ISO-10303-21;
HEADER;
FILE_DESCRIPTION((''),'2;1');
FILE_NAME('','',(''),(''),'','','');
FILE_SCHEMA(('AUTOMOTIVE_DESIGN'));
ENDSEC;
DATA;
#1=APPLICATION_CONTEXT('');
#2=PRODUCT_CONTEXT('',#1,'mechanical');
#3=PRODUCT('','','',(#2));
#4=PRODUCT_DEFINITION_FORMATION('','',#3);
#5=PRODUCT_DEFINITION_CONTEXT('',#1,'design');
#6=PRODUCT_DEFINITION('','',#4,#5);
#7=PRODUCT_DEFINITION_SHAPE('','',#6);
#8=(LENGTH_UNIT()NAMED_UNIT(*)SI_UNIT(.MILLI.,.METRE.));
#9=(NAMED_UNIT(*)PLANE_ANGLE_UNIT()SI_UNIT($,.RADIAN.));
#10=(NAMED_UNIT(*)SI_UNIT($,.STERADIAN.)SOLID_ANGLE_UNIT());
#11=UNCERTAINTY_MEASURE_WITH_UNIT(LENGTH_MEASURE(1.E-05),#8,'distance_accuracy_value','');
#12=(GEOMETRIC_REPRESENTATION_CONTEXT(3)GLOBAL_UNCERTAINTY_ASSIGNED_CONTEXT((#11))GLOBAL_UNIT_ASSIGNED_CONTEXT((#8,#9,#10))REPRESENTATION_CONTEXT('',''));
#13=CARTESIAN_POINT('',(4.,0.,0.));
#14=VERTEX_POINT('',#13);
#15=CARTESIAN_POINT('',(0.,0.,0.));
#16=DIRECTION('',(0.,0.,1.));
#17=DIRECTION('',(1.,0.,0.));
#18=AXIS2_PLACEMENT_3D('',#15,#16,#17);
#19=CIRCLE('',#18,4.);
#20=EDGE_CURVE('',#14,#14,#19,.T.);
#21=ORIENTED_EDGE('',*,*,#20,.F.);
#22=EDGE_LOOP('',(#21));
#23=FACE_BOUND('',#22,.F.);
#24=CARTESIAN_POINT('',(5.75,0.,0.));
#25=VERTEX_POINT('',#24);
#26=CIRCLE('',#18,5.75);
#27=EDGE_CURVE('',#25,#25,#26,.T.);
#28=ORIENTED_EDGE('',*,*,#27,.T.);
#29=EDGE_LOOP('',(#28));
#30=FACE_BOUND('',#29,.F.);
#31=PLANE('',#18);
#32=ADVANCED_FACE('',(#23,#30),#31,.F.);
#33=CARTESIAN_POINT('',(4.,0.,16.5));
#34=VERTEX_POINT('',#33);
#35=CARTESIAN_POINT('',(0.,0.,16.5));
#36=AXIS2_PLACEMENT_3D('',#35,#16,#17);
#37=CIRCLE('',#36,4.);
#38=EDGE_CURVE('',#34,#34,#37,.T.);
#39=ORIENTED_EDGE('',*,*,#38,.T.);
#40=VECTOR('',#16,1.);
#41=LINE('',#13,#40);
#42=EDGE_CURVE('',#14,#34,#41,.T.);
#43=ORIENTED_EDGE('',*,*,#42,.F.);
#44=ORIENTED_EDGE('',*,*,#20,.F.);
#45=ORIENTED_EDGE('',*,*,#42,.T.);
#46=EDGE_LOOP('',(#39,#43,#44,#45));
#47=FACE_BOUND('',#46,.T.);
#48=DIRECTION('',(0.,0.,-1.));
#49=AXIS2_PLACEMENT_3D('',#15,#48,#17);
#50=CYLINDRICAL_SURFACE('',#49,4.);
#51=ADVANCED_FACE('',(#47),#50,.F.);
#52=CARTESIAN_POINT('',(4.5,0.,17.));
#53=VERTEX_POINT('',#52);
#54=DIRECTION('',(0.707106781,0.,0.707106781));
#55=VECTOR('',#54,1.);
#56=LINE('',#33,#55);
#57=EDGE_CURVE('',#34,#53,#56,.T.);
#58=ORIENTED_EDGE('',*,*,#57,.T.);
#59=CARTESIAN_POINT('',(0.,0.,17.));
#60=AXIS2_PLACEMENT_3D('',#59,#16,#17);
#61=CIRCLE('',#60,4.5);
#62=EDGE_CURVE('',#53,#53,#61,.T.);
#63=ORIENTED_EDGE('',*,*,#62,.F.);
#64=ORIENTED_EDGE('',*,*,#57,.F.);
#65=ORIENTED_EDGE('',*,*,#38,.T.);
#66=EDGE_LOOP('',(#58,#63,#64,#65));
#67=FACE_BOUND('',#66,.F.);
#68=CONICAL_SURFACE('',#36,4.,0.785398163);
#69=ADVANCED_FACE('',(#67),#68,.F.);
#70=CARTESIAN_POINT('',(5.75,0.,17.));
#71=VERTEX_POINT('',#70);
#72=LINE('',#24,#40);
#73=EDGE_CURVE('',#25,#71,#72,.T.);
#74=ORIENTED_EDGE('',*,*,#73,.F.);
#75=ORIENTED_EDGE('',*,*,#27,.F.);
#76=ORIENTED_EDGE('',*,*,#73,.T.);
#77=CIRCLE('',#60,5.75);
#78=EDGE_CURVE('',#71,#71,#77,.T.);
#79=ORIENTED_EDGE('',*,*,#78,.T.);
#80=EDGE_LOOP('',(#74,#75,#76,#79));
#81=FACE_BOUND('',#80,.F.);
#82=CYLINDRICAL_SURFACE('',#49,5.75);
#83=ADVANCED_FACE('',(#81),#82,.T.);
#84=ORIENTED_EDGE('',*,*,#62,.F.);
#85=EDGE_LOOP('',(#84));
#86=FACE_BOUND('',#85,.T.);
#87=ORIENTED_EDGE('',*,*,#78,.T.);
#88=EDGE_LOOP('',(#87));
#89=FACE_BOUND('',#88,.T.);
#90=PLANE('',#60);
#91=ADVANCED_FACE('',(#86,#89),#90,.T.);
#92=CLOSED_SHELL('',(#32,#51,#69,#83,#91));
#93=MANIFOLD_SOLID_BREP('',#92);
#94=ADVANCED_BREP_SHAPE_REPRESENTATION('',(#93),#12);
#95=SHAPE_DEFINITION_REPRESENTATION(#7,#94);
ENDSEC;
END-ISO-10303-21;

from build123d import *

# Parameters (mm, degrees)
SKETCH_R     = 5.75
SKETCH_R_2   = 4
PAD_DEPTH    = 17
CHAMFER_SIZE = 0.5


with BuildPart() as part:
    # Sketch → Pad (new body)
    with BuildSketch(Plane.XY):
        Circle(SKETCH_R)
        Circle(SKETCH_R_2, mode=Mode.SUBTRACT)
    extrude(amount=PAD_DEPTH)

    # Chamfer
    chamfer_edges = [part.edges().sort_by_distance(p)[0] for p in [
        (-4, 0, 17),
    ]]
    chamfer(chamfer_edges, length=CHAMFER_SIZE)


solid = part.part
